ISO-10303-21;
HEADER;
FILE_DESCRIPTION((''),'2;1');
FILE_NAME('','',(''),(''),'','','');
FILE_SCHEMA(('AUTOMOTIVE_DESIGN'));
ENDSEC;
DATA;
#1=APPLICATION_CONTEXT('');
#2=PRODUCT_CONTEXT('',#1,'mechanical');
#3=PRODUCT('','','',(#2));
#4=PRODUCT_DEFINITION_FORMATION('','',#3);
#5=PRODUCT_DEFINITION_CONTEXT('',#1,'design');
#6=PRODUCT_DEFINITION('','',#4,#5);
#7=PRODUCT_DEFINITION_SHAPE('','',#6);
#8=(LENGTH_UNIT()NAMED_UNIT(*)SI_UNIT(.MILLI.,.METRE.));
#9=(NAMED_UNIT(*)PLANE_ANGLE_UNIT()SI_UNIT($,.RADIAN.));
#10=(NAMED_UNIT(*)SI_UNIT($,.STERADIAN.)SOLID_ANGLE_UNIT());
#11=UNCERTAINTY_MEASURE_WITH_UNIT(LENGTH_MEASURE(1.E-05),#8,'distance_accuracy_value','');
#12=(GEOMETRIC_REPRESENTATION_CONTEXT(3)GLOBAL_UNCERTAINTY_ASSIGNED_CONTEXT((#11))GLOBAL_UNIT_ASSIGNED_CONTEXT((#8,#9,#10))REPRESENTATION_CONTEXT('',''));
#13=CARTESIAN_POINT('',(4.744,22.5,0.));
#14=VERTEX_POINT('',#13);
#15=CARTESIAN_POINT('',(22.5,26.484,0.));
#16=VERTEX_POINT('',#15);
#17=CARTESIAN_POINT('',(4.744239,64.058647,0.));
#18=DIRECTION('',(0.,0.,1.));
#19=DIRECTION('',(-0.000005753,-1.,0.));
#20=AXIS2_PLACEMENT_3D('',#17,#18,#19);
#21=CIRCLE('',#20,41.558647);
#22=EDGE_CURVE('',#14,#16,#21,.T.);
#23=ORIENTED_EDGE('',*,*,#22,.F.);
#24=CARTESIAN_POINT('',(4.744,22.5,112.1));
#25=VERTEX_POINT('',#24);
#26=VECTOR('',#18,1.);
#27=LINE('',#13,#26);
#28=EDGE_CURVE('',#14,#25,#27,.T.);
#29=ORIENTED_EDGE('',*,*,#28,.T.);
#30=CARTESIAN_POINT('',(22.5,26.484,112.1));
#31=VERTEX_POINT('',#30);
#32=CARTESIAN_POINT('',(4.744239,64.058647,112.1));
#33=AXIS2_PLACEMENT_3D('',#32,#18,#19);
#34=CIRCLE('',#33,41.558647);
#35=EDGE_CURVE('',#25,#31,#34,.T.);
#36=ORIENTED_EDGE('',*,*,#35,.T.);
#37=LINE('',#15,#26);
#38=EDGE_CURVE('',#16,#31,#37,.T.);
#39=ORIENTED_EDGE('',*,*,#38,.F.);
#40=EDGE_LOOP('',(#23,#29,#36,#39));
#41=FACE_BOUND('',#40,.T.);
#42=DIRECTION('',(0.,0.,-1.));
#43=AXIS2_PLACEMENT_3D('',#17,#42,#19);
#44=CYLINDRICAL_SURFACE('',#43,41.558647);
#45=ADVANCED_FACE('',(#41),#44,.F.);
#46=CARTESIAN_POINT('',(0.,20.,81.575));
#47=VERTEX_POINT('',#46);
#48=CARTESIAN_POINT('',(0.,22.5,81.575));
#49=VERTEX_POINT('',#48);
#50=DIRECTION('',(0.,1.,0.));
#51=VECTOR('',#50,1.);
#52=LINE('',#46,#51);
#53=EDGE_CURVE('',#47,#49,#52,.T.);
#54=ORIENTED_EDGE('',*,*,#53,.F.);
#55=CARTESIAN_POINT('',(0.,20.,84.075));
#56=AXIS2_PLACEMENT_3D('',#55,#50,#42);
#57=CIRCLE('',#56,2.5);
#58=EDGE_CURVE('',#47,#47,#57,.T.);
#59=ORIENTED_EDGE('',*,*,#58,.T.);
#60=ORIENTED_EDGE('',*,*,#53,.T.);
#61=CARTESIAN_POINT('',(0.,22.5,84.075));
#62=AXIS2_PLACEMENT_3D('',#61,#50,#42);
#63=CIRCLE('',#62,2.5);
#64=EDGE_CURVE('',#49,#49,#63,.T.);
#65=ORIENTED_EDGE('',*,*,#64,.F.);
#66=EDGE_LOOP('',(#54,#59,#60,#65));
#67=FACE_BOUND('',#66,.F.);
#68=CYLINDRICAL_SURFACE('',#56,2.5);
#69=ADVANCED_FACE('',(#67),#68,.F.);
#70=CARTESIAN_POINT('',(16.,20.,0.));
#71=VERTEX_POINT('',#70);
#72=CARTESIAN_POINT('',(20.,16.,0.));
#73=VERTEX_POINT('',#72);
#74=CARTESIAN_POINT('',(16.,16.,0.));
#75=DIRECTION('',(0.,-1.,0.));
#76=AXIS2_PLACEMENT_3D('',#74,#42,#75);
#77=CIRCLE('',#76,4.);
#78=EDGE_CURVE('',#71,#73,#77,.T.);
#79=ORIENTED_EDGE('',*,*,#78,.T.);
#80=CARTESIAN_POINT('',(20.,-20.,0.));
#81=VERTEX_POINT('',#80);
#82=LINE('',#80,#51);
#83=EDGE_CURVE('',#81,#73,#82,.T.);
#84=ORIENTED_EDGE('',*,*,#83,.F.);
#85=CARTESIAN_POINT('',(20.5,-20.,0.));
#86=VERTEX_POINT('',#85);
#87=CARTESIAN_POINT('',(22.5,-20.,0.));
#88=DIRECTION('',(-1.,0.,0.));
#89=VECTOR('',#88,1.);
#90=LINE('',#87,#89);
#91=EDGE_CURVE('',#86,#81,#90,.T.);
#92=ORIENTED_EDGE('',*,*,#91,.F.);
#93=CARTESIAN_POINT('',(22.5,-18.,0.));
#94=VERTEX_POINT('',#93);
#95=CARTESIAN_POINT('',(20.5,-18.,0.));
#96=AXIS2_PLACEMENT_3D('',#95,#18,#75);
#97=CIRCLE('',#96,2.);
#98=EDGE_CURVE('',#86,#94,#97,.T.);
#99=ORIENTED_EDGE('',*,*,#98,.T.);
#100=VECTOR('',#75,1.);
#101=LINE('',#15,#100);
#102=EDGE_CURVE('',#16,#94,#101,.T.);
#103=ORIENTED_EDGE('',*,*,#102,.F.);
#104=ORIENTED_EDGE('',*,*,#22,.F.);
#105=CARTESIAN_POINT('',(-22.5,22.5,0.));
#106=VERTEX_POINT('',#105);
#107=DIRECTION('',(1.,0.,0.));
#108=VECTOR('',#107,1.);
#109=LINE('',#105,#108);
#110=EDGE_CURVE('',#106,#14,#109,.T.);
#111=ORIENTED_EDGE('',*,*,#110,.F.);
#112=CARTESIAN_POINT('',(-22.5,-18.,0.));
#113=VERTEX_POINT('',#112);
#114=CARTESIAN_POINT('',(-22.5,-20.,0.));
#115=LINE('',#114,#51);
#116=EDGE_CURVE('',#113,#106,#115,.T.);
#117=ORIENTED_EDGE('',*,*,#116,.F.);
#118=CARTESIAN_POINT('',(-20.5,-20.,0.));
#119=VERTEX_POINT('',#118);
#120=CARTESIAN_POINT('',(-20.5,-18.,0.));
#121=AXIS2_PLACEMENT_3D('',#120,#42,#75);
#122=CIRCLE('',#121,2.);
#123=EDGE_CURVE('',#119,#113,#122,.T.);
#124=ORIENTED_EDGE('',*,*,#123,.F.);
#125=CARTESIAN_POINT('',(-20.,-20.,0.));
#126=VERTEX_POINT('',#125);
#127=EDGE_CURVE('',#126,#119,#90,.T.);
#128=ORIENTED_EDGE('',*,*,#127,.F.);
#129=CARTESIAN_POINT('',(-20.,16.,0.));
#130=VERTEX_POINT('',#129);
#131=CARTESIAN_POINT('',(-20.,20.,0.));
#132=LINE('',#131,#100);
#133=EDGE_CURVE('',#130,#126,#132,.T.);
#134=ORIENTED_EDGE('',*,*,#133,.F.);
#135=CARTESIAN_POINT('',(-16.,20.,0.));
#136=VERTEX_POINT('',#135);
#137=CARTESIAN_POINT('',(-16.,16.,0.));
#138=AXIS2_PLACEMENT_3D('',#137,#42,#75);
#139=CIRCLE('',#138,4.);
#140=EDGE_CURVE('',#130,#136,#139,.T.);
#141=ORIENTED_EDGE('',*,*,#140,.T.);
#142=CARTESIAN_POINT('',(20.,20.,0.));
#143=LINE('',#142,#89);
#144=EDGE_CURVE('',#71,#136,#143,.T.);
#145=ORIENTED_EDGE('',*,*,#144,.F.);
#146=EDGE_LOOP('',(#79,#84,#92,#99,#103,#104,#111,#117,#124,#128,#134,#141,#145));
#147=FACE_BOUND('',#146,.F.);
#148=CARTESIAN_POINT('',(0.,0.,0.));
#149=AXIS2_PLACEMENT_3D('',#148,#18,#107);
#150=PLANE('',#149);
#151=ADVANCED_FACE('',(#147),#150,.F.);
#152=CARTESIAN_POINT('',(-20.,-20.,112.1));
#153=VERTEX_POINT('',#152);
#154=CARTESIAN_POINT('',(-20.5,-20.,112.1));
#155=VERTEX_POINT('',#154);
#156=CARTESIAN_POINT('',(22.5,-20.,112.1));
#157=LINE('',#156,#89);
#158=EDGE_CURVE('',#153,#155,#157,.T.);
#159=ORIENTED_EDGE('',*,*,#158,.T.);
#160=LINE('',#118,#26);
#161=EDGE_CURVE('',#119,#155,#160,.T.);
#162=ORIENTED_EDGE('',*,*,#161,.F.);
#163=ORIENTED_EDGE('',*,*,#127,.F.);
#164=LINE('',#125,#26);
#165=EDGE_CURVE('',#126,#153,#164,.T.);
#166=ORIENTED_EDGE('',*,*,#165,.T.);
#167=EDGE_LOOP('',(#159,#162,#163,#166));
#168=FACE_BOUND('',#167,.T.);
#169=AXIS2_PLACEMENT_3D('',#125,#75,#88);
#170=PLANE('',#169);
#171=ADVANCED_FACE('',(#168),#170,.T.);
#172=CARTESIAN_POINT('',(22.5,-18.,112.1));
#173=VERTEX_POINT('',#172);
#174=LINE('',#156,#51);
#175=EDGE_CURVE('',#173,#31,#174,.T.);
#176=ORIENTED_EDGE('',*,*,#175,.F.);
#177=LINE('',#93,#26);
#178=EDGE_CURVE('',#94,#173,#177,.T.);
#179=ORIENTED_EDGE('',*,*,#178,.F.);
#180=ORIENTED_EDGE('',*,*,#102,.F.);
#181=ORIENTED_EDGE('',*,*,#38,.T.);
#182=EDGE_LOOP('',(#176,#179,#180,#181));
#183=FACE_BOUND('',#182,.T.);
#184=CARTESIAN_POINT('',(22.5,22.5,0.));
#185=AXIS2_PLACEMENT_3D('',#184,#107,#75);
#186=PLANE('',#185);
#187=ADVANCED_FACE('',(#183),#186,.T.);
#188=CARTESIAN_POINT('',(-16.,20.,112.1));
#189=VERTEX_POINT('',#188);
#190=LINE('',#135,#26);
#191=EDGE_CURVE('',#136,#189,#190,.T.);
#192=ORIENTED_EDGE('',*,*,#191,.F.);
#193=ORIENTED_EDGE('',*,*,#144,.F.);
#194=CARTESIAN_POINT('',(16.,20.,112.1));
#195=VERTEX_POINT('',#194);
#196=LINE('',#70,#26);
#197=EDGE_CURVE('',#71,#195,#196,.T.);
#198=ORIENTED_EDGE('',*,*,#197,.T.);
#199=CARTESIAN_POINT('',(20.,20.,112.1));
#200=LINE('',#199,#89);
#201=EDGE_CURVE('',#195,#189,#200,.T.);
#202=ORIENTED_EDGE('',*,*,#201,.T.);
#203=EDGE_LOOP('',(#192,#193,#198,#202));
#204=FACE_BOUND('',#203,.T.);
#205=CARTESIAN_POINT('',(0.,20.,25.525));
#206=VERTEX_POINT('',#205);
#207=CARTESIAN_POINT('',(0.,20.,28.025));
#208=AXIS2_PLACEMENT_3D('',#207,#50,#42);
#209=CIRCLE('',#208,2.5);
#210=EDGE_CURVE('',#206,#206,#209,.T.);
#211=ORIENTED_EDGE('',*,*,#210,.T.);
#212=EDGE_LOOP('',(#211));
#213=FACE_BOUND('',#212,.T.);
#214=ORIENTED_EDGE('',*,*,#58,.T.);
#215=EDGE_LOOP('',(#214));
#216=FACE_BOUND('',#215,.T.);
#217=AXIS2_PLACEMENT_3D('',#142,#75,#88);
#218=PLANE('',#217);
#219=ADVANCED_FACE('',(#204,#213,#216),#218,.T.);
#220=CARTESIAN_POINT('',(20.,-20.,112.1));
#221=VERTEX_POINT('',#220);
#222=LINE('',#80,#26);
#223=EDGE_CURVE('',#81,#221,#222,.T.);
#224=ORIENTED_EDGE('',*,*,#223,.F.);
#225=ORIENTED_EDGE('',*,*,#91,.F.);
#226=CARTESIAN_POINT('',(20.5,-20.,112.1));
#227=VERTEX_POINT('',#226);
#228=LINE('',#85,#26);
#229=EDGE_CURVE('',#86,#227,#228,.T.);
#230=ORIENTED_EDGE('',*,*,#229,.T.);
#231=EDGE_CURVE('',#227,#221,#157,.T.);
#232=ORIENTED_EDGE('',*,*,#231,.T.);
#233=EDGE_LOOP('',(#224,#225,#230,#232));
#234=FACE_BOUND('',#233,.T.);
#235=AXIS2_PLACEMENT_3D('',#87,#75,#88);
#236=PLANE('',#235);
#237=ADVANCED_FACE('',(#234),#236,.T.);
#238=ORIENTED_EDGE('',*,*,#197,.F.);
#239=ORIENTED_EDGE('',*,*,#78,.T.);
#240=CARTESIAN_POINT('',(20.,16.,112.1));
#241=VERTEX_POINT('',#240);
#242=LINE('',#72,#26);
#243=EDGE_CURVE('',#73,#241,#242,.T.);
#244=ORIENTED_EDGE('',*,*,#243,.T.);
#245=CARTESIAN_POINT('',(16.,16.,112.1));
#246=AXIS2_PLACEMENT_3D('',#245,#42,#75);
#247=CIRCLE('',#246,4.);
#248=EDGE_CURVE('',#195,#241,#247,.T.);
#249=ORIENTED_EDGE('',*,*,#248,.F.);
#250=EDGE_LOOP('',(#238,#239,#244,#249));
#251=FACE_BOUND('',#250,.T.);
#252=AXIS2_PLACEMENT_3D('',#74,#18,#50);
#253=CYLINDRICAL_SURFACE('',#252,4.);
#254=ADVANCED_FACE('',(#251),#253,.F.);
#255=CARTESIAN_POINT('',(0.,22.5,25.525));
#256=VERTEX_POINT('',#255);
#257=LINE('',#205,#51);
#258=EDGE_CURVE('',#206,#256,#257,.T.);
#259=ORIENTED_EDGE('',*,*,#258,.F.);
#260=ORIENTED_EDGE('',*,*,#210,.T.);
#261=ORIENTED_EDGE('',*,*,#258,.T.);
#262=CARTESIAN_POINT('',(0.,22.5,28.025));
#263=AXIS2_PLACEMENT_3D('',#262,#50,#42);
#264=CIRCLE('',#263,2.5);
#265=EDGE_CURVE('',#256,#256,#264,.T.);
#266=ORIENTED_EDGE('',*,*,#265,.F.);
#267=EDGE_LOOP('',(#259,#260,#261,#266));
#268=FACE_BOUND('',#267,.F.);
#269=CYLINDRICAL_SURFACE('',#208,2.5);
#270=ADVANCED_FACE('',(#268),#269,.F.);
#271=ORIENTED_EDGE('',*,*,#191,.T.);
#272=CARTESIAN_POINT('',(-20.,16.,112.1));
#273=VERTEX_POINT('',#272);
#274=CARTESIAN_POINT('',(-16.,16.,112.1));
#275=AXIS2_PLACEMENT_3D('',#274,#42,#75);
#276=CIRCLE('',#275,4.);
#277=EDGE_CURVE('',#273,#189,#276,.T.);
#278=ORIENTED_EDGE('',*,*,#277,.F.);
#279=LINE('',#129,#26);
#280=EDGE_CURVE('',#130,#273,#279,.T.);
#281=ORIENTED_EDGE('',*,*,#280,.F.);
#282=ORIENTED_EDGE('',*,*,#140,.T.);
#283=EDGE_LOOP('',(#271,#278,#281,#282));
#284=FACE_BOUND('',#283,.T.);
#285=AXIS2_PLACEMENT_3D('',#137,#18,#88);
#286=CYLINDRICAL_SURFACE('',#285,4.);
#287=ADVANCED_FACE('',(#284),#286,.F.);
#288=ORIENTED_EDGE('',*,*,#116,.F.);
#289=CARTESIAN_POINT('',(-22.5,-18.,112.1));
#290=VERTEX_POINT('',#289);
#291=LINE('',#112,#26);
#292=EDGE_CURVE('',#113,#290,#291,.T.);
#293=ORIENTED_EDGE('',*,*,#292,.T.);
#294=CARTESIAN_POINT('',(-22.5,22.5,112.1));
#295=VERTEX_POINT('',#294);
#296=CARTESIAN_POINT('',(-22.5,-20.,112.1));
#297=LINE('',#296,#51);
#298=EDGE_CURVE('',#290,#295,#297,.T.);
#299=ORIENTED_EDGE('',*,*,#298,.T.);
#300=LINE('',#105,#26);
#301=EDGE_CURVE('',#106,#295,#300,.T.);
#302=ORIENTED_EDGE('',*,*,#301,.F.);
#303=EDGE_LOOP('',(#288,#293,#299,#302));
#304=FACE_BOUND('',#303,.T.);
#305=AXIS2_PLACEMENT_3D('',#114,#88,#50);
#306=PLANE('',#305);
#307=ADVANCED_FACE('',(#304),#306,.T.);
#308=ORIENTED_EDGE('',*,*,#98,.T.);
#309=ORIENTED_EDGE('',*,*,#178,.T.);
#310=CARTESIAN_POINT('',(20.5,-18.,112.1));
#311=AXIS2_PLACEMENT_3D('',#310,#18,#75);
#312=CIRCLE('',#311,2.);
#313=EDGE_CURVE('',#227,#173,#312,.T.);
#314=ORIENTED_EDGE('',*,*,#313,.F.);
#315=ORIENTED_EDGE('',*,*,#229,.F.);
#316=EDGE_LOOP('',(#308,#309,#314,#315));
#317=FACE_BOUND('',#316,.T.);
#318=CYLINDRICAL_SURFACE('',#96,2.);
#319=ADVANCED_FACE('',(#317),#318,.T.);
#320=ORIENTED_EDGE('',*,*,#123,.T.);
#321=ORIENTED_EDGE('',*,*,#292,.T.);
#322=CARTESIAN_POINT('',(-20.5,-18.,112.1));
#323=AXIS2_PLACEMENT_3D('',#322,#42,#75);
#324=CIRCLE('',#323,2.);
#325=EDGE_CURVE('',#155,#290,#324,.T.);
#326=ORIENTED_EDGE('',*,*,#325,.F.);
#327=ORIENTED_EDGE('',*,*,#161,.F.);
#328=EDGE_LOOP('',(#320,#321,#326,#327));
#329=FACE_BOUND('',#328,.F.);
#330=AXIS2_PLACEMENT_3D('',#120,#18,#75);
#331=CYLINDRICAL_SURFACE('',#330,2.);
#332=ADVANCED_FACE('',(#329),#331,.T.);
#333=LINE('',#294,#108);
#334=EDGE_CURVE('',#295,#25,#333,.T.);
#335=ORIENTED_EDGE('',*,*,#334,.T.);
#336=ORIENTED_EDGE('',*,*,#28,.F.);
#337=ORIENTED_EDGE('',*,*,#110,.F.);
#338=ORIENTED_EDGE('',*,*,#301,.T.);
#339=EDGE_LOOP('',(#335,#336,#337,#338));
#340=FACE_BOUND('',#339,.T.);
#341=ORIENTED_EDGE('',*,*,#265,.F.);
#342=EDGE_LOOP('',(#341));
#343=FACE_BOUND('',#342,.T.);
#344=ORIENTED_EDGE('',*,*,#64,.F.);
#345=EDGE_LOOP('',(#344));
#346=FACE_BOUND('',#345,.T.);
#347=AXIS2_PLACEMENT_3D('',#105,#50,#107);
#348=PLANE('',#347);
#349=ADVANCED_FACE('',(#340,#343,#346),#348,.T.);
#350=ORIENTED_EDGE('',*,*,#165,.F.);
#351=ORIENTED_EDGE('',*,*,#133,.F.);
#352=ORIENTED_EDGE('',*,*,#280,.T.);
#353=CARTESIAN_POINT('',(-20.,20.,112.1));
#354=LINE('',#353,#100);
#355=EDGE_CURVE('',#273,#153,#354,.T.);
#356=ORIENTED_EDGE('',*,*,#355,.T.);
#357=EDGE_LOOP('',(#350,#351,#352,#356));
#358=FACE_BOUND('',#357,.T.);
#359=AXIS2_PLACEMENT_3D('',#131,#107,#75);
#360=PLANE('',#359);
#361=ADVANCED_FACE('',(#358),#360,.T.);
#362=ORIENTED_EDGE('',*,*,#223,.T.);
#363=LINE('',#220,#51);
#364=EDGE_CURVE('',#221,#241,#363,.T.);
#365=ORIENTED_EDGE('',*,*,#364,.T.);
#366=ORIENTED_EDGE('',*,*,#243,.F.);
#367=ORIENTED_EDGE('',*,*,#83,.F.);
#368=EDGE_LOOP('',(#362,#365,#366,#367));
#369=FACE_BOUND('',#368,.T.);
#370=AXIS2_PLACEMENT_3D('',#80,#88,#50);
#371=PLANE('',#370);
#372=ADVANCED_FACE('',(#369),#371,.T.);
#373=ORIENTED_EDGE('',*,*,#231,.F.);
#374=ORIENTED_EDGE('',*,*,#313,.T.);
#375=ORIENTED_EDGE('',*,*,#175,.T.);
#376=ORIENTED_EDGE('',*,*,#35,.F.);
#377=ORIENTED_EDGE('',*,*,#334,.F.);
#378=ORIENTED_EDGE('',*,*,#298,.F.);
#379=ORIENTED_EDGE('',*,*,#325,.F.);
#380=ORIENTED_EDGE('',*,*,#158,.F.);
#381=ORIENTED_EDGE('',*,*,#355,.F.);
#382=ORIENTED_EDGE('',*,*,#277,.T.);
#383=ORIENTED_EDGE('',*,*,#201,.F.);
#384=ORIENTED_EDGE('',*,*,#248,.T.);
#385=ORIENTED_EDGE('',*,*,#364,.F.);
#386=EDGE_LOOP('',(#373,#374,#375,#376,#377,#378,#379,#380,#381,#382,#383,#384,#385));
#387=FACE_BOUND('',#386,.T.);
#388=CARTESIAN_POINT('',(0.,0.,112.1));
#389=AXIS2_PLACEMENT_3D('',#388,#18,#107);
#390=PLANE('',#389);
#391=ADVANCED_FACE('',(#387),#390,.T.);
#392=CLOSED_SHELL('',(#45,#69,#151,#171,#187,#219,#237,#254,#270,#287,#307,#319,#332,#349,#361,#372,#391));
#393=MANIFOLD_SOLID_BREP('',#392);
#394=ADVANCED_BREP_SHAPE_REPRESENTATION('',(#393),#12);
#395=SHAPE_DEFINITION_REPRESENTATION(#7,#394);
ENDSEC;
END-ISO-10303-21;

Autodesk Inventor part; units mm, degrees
ref_plane "YZ Plane" through (0, 0, 0) normal (1, 0, 0) x (0, 1, 0)
ref_plane "XZ Plane" through (0, 0, 0) normal (0, 1, 0) x (-1, 0, 0)
ref_plane "XY Plane" through (0, 0, 0) normal (0, 0, 1) x (1, 0, 0)
sketch "Sketch1" plane through (0, 0, 0) normal (0, 0, 1) x (1, 0, 0)
  line L0 (-20, -20) -> (20, -20)
  line L1 (20, -20) -> (20, 20)
  line L2 (20, 20) -> (-20, 20)
  line L3 (-20, 20) -> (-20, -20)
  line L4 (-20, -20) -> (20, 20) construction
  line L5 (20, -20) -> (-20, 20) construction
  line L6 (-22.5, 22.5) -> (22.5, 22.5)
  line L7 (22.5, 22.5) -> (22.5, -20)
  line L8 (22.5, -20) -> (-22.5, -20)
  line L9 (-22.5, -20) -> (-22.5, 22.5)
  line L10 (-33.9631, 22.5) -> (42.8206, 22.5) construction
  line L11 (-22.5, 22.5) -> (4.744, 22.5) construction
  line L12 (4.744, 22.5) -> (22.5, 22.5) construction
  line L13 (22.5, 22.5) -> (22.5, 26.484) construction
  line L14 (22.5, 26.484) -> (4.744, 26.484) construction
  line L15 (4.744, 26.484) -> (4.744, 22.5) construction
  arc A0 (4.744, 22.5) -> (22.5, 26.484) centre (4.7442, 64.059) ccw
  line L16 (22.5, 26.484) -> (22.5, 22.5)
  line L17 (22.5, 22.5) -> (4.744, 22.5)
  point P0 (0, 0)
  dimension "d0" = 40
  dimension "d1" = 40
  dimension "d2" = 2.5
  dimension "d3" = 42.5
  dimension "d4" = 2.5
  dimension "d5" = 2.5
  dimension "d6" = 27.244
  dimension "d7" = 3.984
  dimension "d8" = 41.559
extrude "Extrusion1" add sketch "Sketch1" along normal blind 112.1 contours L8 L9 L6 L7 L1 L2 L3 | L6 A0 L16
sketch "Sketch2" plane through (-20, 20, 0) normal (0, -1, 0) x (1, 0, 0)
  line L0 (0, 0) -> (0, 112.1) construction
  line L1 (40, 112.1) -> (40, 0) construction
  line L2 (0, 112.1) -> (40, 112.1) construction
  line L3 (40, 112.1) -> (40, 0) construction
  line L4 (40, 0) -> (0, 0) construction
  line L5 (0, 0) -> (0, 112.1) construction
  line L6 (20, 112.1) -> (20, 0) construction
  line L7 (24.744, 0) -> (24.744, 112.1) construction
  line L8 (42.5, 0) -> (40, 0) construction
  line L9 (0, 112.1) -> (40, 0) construction
  line L10 (0, 0) -> (40, 112.1) construction
  line L11 (40, 56.05) -> (0, 112.1) construction
  line L12 (0, 56.05) -> (40, 112.1) construction
  line L13 (0, 56.05) -> (40, 0) construction
  line L14 (40, 56.05) -> (0, 0) construction
  point P0 (20, 28.025)
  point P1 (20, 84.075)
hole "Hole1" at (0, 20, 28.025) at (0, 20, 84.075) direction (0, 1, 0) diameter 5 depth 8 tip angle 118
fillet "Fillet1" radius 4 2 edges at (20, 20, 56.05) (-20, 20, 56.05)
fillet "Fillet2" radius 2 2 edges at (-22.5, -20, 56.05) (22.5, -20, 56.05)
equation "\"d4\" = d2"
equation "\"d5\" = d4"
properties part number "display_holder"
